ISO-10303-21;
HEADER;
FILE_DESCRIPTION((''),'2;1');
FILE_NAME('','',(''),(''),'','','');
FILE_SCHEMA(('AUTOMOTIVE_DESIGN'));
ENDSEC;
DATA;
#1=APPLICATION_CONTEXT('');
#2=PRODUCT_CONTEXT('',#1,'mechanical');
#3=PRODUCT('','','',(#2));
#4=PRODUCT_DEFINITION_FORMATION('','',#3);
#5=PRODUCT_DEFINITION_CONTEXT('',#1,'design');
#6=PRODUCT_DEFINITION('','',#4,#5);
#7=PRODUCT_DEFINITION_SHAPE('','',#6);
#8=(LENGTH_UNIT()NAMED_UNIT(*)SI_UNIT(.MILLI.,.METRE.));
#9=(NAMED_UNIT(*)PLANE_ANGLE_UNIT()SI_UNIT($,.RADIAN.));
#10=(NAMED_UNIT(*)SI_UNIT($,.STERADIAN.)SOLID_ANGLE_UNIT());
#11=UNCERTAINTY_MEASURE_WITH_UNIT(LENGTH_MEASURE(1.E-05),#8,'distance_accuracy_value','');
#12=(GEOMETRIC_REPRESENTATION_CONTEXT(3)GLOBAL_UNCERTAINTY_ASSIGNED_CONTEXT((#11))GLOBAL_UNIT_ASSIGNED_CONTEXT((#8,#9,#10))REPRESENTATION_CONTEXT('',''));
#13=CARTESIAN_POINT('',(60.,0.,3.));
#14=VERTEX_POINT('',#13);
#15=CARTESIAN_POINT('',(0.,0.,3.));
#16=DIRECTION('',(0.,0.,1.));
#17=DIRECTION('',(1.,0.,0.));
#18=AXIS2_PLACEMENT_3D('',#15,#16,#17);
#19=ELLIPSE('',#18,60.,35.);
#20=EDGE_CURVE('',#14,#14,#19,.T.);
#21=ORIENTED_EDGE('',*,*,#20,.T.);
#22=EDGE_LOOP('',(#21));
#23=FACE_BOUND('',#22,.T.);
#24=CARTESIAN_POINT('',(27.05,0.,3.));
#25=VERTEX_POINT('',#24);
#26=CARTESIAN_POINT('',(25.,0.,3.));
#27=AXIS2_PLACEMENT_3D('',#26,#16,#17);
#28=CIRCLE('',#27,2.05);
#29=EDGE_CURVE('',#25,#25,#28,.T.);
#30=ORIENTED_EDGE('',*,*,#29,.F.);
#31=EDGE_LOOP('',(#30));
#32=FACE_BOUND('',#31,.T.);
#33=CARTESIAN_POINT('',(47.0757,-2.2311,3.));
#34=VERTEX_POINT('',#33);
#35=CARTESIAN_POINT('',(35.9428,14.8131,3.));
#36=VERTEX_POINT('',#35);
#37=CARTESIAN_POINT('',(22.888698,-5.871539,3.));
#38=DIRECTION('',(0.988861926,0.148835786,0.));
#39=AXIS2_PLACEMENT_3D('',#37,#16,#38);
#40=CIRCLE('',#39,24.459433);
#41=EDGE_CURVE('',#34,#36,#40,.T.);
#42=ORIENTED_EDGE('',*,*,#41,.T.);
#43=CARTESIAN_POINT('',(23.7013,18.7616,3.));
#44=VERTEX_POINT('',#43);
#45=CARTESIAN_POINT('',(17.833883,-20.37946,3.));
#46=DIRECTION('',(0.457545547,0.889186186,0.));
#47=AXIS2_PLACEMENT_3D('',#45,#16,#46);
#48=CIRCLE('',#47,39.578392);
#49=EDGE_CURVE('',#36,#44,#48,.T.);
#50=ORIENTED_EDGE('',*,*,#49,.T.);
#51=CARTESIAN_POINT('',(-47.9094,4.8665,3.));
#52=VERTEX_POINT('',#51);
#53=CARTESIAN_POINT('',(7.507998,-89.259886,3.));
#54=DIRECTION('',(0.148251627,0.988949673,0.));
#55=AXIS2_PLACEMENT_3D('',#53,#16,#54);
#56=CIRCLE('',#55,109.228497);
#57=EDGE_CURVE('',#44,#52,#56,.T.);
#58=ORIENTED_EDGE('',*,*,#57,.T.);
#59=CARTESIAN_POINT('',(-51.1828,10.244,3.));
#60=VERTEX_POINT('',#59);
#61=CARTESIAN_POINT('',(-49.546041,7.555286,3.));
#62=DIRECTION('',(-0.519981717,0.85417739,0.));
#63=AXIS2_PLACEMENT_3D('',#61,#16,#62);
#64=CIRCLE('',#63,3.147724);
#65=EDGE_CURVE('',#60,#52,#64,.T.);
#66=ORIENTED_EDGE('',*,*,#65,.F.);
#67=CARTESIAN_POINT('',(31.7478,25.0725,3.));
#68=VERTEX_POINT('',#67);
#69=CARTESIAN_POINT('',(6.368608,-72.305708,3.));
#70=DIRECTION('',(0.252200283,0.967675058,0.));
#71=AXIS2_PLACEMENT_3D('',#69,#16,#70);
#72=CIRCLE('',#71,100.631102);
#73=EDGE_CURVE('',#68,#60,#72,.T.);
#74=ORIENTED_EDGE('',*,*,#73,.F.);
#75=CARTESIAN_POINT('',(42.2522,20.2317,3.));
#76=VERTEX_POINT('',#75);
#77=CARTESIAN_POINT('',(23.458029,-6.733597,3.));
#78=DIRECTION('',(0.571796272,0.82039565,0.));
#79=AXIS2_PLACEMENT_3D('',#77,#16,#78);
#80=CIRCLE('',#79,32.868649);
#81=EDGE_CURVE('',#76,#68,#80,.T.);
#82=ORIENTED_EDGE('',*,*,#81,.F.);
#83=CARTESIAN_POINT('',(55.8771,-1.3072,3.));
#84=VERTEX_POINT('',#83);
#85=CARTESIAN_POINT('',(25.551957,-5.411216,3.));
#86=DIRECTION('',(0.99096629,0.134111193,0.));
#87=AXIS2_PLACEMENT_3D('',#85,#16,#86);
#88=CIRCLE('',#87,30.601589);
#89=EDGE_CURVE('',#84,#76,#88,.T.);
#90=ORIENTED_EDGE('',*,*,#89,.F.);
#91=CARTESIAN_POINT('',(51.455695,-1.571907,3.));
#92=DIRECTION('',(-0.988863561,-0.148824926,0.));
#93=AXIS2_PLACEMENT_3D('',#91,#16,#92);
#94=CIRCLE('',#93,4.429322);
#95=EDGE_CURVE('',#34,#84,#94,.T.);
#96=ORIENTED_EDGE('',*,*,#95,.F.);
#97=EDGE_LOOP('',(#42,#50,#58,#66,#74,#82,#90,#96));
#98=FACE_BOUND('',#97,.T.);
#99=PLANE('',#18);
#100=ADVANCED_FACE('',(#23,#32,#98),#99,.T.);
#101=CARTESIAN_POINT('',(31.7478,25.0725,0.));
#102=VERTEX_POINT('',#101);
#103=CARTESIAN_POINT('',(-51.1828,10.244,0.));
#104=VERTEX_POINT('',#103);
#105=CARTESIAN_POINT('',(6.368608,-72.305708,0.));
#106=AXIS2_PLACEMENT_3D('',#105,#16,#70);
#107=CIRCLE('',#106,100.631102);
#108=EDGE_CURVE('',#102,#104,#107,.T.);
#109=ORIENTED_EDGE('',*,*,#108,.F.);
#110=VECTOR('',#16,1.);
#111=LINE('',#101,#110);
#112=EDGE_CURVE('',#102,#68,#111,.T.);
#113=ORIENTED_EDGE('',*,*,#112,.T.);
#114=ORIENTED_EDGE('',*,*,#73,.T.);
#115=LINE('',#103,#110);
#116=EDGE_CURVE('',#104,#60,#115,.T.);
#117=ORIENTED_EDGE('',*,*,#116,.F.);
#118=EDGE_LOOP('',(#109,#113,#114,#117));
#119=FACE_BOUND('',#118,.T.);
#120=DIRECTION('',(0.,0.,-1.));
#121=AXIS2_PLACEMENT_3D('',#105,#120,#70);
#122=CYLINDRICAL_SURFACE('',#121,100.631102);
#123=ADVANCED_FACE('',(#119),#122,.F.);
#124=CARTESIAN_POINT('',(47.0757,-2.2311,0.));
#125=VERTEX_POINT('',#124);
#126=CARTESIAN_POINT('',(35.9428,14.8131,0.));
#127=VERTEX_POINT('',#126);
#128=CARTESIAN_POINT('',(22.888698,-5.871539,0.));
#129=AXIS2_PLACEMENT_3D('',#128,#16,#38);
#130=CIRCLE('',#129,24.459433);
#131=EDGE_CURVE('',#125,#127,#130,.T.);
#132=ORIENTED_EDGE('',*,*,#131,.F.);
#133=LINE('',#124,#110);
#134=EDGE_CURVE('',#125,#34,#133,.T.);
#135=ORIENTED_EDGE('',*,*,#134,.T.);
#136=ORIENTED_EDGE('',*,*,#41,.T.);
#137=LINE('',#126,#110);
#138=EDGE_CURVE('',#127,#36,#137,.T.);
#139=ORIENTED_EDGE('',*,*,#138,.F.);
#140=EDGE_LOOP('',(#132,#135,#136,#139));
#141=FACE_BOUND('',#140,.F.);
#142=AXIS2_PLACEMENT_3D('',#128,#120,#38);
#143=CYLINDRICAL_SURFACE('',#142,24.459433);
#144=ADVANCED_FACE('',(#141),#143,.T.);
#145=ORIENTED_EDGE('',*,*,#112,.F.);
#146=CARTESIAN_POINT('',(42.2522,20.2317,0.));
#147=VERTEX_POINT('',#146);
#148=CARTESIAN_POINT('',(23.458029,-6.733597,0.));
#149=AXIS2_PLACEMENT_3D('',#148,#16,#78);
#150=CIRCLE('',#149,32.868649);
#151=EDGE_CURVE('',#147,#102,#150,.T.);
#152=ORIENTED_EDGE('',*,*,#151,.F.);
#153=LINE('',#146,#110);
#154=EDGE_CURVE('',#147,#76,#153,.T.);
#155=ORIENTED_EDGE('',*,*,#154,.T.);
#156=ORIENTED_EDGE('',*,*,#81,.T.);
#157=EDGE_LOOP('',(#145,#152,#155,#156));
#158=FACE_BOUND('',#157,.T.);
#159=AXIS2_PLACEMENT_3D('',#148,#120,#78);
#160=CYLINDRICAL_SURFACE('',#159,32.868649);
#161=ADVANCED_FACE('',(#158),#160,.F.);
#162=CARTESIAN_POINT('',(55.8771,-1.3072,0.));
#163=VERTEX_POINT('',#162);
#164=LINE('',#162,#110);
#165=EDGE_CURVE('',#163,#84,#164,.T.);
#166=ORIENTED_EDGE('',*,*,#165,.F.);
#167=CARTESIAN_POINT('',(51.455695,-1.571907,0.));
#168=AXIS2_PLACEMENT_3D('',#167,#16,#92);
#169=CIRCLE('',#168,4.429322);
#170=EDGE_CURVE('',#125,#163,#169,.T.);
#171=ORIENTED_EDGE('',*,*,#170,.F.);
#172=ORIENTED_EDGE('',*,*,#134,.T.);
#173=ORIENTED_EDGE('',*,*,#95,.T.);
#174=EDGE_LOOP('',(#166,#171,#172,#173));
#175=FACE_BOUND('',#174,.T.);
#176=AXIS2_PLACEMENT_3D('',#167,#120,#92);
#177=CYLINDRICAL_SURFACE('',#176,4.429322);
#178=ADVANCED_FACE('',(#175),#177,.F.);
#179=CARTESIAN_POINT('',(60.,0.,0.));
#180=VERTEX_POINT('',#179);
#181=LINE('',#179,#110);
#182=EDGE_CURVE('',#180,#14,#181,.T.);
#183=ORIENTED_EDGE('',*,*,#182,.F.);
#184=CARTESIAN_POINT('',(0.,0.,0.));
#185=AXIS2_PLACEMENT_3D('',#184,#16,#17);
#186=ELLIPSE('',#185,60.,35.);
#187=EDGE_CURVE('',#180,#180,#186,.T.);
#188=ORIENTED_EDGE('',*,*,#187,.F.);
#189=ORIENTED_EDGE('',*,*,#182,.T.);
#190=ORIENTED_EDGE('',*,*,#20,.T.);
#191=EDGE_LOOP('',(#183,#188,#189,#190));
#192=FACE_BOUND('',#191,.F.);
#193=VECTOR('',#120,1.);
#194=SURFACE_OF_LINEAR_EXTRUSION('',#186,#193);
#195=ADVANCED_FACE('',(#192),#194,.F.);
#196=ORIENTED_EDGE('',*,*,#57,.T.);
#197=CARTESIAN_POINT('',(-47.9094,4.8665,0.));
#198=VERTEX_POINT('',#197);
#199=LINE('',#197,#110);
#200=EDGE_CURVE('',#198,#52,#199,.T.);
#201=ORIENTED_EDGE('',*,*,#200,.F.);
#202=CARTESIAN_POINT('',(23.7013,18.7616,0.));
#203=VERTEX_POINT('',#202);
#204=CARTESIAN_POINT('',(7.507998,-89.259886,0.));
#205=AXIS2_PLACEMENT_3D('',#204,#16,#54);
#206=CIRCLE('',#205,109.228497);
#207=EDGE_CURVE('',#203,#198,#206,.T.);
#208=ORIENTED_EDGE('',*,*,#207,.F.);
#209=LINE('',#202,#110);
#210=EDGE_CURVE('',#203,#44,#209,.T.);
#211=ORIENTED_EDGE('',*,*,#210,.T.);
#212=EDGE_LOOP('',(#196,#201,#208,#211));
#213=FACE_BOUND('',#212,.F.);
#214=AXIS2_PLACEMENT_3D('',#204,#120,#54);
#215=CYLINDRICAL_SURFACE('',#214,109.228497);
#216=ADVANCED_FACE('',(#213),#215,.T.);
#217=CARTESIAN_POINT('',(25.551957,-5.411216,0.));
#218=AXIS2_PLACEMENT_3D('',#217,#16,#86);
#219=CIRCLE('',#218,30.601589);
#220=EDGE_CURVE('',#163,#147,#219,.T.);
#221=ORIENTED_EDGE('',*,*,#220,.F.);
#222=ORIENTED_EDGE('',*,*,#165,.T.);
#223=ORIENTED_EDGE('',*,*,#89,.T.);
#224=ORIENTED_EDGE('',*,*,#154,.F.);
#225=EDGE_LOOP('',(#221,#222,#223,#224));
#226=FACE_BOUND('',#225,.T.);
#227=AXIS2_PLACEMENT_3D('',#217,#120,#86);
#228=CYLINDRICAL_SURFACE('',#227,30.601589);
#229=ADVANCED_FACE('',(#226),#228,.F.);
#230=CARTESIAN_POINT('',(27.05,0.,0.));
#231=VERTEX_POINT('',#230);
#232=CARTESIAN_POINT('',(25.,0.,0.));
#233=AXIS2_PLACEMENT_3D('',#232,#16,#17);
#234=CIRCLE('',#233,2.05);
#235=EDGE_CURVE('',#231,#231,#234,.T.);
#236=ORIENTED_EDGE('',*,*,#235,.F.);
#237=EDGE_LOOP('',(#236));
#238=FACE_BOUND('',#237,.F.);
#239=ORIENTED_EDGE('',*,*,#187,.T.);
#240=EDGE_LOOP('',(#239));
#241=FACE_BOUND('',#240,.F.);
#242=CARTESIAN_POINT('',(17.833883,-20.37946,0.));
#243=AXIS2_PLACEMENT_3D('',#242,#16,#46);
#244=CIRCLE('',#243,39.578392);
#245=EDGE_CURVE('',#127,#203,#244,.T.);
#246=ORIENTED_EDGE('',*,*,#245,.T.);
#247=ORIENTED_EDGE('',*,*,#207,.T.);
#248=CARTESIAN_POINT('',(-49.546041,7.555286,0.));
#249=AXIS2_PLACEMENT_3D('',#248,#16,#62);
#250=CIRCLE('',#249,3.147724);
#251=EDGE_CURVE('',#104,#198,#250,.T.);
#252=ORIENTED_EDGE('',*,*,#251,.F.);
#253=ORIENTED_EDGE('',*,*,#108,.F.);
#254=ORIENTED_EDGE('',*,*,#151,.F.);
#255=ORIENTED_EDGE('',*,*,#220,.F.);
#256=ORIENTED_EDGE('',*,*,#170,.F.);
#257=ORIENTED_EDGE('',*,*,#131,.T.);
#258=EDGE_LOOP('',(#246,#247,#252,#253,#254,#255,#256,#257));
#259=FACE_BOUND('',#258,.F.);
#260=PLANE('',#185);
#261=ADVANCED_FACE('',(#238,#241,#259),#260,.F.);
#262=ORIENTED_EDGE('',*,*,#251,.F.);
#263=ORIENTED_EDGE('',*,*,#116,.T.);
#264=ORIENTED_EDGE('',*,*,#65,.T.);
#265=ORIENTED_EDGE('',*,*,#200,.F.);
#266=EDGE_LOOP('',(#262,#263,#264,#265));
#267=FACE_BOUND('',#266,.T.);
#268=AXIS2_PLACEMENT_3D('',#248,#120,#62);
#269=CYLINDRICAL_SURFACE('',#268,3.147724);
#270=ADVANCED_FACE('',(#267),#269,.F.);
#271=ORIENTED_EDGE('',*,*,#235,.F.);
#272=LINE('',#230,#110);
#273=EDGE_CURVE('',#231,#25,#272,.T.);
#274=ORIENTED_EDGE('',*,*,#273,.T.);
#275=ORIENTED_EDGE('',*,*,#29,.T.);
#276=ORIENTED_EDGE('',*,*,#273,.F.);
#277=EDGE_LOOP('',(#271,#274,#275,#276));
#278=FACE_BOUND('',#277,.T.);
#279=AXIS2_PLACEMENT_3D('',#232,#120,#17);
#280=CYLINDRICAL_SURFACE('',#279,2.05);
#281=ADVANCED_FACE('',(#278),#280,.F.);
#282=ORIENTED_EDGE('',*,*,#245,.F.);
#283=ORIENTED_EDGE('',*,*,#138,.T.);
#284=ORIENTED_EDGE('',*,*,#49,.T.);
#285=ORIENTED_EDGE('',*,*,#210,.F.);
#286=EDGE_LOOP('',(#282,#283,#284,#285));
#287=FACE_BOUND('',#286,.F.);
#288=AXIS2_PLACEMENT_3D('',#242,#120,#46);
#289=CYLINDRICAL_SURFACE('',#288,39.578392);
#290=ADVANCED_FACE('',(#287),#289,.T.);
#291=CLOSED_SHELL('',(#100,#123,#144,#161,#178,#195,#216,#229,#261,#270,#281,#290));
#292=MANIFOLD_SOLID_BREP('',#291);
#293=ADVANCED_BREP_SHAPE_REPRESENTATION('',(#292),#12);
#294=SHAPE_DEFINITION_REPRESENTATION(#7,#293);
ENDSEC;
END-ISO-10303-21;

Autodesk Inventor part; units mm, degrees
ref_plane "YZ Plane" through (0, 0, 0) normal (1, 0, 0) x (0, 1, 0)
ref_plane "XZ Plane" through (0, 0, 0) normal (0, 1, 0) x (-1, 0, 0)
ref_plane "XY Plane" through (0, 0, 0) normal (0, 0, 1) x (1, 0, 0)
sketch "Sketch1" plane through (0, 0, 0) normal (0, 0, 1) x (1, 0, 0)
  ellipse E0 centre (0, 0) end of major axis (60, 0) minor radius 35
  arc A0 (31.7478, 25.0725) -> (-51.1828, 10.244) centre (6.3686, -72.3059) ccw
  arc A1 (23.7013, 18.7616) -> (-47.9094, 4.8665) centre (7.508, -89.26) ccw
  arc A2 (55.8771, -1.3072) -> (42.2522, 20.2317) centre (25.552, -5.4112) ccw
  arc A3 (47.0757, -2.2311) -> (35.9428, 14.8131) centre (22.8888, -5.8715) ccw
  arc A4 (35.9428, 14.8131) -> (23.7013, 18.7616) centre (17.8337, -20.3799) ccw
  arc A5 (42.2522, 20.2317) -> (31.7478, 25.0725) centre (23.4586, -6.7326) ccw
  arc A6 (-51.1828, 10.244) -> (-47.9094, 4.8665) centre (-49.5461, 7.5553) ccw
  arc A7 (47.0757, -2.2311) -> (55.8771, -1.3072) centre (51.4557, -1.5719) ccw
  circle A8 centre (25, 0) radius 2.05
  dimension "d0" = 60
  dimension "d1" = 35
  dimension "d7" = 4.1
  dimension "d8" = 25
extrude "Extrusion1" add sketch "Sketch1" along normal blind 3
properties part number "Rail1st_withoutD"
